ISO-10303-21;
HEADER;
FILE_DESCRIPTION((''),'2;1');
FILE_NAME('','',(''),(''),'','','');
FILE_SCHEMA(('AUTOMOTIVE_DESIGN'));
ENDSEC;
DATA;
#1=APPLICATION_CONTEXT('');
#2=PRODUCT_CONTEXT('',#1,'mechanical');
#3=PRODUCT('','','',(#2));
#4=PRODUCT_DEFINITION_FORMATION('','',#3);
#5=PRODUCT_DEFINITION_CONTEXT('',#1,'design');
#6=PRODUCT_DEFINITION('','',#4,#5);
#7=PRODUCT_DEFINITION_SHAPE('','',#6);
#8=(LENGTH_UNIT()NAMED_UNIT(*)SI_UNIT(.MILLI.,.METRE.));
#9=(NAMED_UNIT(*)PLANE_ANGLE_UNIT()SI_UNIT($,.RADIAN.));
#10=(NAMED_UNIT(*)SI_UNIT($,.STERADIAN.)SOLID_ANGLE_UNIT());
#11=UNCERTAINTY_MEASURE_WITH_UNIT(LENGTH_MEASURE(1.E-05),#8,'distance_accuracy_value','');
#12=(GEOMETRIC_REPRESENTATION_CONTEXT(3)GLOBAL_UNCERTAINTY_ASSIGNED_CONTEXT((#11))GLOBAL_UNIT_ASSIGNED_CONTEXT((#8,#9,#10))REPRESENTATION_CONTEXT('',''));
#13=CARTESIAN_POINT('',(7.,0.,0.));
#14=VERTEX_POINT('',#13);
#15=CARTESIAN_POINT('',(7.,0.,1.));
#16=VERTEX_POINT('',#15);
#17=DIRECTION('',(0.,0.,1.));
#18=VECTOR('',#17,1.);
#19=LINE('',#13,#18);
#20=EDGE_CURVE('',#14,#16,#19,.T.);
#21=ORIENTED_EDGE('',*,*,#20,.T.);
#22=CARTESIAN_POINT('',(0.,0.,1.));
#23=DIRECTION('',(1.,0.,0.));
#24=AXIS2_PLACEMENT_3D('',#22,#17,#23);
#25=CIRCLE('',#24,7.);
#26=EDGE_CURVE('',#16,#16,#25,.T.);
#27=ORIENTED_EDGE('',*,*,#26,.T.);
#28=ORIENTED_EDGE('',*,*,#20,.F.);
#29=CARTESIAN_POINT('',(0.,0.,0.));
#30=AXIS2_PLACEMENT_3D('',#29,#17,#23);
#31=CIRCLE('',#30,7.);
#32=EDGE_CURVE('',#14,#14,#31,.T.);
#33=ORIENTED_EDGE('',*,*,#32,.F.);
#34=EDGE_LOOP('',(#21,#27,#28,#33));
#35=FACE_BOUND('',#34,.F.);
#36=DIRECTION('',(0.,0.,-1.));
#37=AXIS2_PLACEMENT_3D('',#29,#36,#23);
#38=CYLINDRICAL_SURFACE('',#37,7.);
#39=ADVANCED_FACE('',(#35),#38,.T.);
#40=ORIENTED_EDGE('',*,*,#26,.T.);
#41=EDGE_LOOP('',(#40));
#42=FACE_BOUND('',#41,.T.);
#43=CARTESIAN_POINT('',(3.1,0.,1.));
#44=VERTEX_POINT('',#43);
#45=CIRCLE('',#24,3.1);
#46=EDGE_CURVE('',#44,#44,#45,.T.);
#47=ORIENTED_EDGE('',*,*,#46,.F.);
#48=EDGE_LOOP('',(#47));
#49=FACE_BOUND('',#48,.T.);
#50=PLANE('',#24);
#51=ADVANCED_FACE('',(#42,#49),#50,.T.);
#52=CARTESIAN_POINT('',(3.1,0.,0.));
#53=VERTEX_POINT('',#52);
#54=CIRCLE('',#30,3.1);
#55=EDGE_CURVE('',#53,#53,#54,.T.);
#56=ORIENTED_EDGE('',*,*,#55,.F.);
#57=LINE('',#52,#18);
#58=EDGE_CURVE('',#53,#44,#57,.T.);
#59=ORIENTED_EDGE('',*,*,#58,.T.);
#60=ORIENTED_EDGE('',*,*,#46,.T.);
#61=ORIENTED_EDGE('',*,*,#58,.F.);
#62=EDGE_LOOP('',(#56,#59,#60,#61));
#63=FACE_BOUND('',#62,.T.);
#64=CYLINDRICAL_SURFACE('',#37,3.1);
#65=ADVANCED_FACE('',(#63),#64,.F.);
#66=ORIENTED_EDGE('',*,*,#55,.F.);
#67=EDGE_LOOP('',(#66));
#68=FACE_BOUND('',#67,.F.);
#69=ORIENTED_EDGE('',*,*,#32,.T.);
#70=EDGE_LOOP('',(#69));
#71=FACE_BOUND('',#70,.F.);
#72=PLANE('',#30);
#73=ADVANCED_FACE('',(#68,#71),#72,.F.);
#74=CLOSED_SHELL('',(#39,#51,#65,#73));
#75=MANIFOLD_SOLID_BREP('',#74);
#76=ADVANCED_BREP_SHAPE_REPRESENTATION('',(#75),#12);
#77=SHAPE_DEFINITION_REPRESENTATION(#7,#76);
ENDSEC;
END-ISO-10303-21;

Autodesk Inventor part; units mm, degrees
ref_plane "YZ Plane" through (0, 0, 0) normal (1, 0, 0) x (0, 1, 0)
ref_plane "XZ Plane" through (0, 0, 0) normal (0, 1, 0) x (-1, 0, 0)
ref_plane "XY Plane" through (0, 0, 0) normal (0, 0, 1) x (1, 0, 0)
sketch "スケッチ1" plane through (0, 0, 0) normal (0, 0, 1) x (1, 0, 0)
  circle A0 centre (0, 0) radius 3.1
  circle A1 centre (0, 0) radius 7
  dimension "d0" = 6.2
  dimension "d1" = 14
extrude "押し出し1" add sketch "スケッチ1" along normal blind 1
properties part number "TT-0614-10" material "アセタール樹脂、黒"
